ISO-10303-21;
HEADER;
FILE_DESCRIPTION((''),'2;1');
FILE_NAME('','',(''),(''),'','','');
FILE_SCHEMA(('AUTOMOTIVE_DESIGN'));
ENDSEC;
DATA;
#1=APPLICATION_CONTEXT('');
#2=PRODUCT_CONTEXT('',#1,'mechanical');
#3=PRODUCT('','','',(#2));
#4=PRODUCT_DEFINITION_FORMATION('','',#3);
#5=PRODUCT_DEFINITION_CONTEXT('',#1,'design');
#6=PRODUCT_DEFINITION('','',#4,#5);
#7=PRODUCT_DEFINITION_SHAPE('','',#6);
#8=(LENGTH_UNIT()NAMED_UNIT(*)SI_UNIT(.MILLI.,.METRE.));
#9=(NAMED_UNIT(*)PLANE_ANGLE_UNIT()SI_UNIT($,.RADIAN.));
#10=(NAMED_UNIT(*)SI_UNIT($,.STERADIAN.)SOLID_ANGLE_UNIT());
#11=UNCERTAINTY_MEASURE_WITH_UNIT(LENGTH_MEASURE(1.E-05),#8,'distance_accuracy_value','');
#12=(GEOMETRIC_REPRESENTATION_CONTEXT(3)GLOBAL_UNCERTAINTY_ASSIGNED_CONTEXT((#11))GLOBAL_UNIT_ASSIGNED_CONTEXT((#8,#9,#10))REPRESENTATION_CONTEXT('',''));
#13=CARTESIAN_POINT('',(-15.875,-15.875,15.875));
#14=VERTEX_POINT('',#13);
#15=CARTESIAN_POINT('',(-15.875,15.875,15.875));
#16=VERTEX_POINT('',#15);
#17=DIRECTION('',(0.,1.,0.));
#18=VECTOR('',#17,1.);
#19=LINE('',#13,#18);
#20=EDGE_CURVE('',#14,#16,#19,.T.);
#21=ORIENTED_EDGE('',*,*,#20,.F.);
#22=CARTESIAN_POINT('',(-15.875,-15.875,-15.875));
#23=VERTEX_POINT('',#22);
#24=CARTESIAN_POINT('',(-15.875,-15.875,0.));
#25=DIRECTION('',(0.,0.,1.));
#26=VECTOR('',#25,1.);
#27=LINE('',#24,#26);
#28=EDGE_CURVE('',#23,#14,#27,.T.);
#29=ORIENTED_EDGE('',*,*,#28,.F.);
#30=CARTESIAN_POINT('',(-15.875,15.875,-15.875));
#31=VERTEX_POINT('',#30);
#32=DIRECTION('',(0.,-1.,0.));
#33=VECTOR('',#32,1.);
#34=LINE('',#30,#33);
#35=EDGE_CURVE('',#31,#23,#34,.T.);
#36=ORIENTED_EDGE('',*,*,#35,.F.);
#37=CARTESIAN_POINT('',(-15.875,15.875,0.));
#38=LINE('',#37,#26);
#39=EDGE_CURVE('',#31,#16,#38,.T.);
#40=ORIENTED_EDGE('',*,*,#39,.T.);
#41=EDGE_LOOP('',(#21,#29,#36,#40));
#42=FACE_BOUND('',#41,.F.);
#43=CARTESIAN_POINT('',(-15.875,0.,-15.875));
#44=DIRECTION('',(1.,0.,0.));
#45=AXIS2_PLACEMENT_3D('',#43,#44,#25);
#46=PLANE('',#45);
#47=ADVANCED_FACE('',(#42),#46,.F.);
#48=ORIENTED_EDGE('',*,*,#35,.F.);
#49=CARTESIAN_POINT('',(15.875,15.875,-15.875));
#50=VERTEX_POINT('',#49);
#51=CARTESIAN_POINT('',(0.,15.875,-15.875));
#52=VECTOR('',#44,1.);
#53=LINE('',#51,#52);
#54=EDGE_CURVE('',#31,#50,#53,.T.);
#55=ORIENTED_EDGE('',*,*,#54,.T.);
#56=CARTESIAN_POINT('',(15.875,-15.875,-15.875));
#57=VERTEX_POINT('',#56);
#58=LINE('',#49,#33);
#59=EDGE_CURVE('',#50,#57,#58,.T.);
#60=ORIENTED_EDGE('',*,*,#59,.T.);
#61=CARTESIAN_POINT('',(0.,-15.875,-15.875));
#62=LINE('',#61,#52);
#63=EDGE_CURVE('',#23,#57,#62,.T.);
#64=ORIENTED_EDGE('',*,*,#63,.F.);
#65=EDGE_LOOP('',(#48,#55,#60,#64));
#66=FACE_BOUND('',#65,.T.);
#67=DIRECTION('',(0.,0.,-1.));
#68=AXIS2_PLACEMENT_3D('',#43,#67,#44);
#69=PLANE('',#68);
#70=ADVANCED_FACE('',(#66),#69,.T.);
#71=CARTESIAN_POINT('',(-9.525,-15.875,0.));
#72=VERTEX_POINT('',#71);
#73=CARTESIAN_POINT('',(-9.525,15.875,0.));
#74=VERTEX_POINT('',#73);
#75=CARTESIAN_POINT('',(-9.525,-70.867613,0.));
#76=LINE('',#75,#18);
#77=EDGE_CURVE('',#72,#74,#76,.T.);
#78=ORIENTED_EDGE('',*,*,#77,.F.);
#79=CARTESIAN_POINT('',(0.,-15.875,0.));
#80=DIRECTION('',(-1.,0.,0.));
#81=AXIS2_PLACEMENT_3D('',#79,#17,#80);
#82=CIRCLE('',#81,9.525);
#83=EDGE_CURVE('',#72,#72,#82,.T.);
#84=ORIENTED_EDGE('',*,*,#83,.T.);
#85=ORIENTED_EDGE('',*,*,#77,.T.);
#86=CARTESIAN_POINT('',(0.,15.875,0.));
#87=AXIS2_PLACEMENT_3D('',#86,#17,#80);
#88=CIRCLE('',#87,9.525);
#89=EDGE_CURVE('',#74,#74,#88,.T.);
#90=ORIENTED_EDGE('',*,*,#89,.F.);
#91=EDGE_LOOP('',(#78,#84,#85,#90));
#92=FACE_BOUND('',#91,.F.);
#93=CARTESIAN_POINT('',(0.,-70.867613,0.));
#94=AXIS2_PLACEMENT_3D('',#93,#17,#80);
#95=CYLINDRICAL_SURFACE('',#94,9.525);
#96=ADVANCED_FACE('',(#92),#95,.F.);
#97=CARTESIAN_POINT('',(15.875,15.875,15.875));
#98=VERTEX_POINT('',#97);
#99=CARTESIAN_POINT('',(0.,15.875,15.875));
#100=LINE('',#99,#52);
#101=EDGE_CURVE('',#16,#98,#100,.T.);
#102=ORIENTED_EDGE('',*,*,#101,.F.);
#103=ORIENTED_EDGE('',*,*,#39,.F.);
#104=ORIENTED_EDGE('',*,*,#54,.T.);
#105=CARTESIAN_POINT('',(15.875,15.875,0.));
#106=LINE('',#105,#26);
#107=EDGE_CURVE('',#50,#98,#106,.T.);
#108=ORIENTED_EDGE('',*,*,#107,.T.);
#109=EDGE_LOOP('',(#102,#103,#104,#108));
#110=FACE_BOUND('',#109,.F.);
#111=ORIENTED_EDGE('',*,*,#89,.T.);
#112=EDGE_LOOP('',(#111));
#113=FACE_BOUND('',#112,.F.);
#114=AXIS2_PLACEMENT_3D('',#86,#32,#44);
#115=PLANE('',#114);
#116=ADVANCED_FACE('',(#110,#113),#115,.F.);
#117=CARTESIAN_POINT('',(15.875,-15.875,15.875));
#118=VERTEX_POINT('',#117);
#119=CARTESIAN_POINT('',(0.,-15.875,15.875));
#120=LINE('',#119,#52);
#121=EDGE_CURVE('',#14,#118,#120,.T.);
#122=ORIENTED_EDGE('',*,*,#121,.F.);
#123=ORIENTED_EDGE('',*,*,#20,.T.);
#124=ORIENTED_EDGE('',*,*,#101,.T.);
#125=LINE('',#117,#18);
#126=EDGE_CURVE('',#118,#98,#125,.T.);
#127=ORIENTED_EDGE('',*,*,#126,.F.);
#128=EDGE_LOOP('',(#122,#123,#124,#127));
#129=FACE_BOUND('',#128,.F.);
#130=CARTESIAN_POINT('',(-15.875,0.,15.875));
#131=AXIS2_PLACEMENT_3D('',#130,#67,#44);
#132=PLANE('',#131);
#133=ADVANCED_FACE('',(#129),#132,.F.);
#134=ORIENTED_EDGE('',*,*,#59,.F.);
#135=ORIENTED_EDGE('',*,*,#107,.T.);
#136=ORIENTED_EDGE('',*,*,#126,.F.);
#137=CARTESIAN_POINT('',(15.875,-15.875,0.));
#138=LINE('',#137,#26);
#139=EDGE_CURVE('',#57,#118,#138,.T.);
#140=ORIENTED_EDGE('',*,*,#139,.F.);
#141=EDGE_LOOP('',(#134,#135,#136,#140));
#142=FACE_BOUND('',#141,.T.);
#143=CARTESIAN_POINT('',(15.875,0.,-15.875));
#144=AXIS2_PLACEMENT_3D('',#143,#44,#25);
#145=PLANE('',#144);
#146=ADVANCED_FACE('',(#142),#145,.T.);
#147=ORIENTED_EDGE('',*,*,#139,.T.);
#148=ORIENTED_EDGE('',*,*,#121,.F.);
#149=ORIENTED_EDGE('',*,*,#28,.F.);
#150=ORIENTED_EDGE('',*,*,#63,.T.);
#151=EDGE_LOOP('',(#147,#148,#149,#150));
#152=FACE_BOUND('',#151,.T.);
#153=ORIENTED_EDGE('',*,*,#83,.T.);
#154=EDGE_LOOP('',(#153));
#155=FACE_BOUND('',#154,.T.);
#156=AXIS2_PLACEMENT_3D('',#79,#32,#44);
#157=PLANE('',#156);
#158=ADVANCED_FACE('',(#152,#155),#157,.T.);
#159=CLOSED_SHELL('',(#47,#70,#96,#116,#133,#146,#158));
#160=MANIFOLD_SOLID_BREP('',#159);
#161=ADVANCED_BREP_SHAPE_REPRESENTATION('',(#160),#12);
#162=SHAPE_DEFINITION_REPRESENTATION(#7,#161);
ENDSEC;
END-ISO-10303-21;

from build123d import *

# Parameters (mm, degrees)
F0_W     = 31.75
F0_H     = 31.75
F1_DEPTH = 15.875
F3_D     = 19.05


with BuildPart() as f1:
    # F0 (on Front) → F1 (new body, symmetric)
    with BuildSketch(Plane.XZ):
        Rectangle(F0_W, F0_H)
    extrude(amount=F1_DEPTH, both=True)

    # F3 (through all)
    with Locations(Plane.XZ.offset(15.875)):
        with Locations((0, 0)):
            Hole(F3_D / 2)


solid = f1.part
